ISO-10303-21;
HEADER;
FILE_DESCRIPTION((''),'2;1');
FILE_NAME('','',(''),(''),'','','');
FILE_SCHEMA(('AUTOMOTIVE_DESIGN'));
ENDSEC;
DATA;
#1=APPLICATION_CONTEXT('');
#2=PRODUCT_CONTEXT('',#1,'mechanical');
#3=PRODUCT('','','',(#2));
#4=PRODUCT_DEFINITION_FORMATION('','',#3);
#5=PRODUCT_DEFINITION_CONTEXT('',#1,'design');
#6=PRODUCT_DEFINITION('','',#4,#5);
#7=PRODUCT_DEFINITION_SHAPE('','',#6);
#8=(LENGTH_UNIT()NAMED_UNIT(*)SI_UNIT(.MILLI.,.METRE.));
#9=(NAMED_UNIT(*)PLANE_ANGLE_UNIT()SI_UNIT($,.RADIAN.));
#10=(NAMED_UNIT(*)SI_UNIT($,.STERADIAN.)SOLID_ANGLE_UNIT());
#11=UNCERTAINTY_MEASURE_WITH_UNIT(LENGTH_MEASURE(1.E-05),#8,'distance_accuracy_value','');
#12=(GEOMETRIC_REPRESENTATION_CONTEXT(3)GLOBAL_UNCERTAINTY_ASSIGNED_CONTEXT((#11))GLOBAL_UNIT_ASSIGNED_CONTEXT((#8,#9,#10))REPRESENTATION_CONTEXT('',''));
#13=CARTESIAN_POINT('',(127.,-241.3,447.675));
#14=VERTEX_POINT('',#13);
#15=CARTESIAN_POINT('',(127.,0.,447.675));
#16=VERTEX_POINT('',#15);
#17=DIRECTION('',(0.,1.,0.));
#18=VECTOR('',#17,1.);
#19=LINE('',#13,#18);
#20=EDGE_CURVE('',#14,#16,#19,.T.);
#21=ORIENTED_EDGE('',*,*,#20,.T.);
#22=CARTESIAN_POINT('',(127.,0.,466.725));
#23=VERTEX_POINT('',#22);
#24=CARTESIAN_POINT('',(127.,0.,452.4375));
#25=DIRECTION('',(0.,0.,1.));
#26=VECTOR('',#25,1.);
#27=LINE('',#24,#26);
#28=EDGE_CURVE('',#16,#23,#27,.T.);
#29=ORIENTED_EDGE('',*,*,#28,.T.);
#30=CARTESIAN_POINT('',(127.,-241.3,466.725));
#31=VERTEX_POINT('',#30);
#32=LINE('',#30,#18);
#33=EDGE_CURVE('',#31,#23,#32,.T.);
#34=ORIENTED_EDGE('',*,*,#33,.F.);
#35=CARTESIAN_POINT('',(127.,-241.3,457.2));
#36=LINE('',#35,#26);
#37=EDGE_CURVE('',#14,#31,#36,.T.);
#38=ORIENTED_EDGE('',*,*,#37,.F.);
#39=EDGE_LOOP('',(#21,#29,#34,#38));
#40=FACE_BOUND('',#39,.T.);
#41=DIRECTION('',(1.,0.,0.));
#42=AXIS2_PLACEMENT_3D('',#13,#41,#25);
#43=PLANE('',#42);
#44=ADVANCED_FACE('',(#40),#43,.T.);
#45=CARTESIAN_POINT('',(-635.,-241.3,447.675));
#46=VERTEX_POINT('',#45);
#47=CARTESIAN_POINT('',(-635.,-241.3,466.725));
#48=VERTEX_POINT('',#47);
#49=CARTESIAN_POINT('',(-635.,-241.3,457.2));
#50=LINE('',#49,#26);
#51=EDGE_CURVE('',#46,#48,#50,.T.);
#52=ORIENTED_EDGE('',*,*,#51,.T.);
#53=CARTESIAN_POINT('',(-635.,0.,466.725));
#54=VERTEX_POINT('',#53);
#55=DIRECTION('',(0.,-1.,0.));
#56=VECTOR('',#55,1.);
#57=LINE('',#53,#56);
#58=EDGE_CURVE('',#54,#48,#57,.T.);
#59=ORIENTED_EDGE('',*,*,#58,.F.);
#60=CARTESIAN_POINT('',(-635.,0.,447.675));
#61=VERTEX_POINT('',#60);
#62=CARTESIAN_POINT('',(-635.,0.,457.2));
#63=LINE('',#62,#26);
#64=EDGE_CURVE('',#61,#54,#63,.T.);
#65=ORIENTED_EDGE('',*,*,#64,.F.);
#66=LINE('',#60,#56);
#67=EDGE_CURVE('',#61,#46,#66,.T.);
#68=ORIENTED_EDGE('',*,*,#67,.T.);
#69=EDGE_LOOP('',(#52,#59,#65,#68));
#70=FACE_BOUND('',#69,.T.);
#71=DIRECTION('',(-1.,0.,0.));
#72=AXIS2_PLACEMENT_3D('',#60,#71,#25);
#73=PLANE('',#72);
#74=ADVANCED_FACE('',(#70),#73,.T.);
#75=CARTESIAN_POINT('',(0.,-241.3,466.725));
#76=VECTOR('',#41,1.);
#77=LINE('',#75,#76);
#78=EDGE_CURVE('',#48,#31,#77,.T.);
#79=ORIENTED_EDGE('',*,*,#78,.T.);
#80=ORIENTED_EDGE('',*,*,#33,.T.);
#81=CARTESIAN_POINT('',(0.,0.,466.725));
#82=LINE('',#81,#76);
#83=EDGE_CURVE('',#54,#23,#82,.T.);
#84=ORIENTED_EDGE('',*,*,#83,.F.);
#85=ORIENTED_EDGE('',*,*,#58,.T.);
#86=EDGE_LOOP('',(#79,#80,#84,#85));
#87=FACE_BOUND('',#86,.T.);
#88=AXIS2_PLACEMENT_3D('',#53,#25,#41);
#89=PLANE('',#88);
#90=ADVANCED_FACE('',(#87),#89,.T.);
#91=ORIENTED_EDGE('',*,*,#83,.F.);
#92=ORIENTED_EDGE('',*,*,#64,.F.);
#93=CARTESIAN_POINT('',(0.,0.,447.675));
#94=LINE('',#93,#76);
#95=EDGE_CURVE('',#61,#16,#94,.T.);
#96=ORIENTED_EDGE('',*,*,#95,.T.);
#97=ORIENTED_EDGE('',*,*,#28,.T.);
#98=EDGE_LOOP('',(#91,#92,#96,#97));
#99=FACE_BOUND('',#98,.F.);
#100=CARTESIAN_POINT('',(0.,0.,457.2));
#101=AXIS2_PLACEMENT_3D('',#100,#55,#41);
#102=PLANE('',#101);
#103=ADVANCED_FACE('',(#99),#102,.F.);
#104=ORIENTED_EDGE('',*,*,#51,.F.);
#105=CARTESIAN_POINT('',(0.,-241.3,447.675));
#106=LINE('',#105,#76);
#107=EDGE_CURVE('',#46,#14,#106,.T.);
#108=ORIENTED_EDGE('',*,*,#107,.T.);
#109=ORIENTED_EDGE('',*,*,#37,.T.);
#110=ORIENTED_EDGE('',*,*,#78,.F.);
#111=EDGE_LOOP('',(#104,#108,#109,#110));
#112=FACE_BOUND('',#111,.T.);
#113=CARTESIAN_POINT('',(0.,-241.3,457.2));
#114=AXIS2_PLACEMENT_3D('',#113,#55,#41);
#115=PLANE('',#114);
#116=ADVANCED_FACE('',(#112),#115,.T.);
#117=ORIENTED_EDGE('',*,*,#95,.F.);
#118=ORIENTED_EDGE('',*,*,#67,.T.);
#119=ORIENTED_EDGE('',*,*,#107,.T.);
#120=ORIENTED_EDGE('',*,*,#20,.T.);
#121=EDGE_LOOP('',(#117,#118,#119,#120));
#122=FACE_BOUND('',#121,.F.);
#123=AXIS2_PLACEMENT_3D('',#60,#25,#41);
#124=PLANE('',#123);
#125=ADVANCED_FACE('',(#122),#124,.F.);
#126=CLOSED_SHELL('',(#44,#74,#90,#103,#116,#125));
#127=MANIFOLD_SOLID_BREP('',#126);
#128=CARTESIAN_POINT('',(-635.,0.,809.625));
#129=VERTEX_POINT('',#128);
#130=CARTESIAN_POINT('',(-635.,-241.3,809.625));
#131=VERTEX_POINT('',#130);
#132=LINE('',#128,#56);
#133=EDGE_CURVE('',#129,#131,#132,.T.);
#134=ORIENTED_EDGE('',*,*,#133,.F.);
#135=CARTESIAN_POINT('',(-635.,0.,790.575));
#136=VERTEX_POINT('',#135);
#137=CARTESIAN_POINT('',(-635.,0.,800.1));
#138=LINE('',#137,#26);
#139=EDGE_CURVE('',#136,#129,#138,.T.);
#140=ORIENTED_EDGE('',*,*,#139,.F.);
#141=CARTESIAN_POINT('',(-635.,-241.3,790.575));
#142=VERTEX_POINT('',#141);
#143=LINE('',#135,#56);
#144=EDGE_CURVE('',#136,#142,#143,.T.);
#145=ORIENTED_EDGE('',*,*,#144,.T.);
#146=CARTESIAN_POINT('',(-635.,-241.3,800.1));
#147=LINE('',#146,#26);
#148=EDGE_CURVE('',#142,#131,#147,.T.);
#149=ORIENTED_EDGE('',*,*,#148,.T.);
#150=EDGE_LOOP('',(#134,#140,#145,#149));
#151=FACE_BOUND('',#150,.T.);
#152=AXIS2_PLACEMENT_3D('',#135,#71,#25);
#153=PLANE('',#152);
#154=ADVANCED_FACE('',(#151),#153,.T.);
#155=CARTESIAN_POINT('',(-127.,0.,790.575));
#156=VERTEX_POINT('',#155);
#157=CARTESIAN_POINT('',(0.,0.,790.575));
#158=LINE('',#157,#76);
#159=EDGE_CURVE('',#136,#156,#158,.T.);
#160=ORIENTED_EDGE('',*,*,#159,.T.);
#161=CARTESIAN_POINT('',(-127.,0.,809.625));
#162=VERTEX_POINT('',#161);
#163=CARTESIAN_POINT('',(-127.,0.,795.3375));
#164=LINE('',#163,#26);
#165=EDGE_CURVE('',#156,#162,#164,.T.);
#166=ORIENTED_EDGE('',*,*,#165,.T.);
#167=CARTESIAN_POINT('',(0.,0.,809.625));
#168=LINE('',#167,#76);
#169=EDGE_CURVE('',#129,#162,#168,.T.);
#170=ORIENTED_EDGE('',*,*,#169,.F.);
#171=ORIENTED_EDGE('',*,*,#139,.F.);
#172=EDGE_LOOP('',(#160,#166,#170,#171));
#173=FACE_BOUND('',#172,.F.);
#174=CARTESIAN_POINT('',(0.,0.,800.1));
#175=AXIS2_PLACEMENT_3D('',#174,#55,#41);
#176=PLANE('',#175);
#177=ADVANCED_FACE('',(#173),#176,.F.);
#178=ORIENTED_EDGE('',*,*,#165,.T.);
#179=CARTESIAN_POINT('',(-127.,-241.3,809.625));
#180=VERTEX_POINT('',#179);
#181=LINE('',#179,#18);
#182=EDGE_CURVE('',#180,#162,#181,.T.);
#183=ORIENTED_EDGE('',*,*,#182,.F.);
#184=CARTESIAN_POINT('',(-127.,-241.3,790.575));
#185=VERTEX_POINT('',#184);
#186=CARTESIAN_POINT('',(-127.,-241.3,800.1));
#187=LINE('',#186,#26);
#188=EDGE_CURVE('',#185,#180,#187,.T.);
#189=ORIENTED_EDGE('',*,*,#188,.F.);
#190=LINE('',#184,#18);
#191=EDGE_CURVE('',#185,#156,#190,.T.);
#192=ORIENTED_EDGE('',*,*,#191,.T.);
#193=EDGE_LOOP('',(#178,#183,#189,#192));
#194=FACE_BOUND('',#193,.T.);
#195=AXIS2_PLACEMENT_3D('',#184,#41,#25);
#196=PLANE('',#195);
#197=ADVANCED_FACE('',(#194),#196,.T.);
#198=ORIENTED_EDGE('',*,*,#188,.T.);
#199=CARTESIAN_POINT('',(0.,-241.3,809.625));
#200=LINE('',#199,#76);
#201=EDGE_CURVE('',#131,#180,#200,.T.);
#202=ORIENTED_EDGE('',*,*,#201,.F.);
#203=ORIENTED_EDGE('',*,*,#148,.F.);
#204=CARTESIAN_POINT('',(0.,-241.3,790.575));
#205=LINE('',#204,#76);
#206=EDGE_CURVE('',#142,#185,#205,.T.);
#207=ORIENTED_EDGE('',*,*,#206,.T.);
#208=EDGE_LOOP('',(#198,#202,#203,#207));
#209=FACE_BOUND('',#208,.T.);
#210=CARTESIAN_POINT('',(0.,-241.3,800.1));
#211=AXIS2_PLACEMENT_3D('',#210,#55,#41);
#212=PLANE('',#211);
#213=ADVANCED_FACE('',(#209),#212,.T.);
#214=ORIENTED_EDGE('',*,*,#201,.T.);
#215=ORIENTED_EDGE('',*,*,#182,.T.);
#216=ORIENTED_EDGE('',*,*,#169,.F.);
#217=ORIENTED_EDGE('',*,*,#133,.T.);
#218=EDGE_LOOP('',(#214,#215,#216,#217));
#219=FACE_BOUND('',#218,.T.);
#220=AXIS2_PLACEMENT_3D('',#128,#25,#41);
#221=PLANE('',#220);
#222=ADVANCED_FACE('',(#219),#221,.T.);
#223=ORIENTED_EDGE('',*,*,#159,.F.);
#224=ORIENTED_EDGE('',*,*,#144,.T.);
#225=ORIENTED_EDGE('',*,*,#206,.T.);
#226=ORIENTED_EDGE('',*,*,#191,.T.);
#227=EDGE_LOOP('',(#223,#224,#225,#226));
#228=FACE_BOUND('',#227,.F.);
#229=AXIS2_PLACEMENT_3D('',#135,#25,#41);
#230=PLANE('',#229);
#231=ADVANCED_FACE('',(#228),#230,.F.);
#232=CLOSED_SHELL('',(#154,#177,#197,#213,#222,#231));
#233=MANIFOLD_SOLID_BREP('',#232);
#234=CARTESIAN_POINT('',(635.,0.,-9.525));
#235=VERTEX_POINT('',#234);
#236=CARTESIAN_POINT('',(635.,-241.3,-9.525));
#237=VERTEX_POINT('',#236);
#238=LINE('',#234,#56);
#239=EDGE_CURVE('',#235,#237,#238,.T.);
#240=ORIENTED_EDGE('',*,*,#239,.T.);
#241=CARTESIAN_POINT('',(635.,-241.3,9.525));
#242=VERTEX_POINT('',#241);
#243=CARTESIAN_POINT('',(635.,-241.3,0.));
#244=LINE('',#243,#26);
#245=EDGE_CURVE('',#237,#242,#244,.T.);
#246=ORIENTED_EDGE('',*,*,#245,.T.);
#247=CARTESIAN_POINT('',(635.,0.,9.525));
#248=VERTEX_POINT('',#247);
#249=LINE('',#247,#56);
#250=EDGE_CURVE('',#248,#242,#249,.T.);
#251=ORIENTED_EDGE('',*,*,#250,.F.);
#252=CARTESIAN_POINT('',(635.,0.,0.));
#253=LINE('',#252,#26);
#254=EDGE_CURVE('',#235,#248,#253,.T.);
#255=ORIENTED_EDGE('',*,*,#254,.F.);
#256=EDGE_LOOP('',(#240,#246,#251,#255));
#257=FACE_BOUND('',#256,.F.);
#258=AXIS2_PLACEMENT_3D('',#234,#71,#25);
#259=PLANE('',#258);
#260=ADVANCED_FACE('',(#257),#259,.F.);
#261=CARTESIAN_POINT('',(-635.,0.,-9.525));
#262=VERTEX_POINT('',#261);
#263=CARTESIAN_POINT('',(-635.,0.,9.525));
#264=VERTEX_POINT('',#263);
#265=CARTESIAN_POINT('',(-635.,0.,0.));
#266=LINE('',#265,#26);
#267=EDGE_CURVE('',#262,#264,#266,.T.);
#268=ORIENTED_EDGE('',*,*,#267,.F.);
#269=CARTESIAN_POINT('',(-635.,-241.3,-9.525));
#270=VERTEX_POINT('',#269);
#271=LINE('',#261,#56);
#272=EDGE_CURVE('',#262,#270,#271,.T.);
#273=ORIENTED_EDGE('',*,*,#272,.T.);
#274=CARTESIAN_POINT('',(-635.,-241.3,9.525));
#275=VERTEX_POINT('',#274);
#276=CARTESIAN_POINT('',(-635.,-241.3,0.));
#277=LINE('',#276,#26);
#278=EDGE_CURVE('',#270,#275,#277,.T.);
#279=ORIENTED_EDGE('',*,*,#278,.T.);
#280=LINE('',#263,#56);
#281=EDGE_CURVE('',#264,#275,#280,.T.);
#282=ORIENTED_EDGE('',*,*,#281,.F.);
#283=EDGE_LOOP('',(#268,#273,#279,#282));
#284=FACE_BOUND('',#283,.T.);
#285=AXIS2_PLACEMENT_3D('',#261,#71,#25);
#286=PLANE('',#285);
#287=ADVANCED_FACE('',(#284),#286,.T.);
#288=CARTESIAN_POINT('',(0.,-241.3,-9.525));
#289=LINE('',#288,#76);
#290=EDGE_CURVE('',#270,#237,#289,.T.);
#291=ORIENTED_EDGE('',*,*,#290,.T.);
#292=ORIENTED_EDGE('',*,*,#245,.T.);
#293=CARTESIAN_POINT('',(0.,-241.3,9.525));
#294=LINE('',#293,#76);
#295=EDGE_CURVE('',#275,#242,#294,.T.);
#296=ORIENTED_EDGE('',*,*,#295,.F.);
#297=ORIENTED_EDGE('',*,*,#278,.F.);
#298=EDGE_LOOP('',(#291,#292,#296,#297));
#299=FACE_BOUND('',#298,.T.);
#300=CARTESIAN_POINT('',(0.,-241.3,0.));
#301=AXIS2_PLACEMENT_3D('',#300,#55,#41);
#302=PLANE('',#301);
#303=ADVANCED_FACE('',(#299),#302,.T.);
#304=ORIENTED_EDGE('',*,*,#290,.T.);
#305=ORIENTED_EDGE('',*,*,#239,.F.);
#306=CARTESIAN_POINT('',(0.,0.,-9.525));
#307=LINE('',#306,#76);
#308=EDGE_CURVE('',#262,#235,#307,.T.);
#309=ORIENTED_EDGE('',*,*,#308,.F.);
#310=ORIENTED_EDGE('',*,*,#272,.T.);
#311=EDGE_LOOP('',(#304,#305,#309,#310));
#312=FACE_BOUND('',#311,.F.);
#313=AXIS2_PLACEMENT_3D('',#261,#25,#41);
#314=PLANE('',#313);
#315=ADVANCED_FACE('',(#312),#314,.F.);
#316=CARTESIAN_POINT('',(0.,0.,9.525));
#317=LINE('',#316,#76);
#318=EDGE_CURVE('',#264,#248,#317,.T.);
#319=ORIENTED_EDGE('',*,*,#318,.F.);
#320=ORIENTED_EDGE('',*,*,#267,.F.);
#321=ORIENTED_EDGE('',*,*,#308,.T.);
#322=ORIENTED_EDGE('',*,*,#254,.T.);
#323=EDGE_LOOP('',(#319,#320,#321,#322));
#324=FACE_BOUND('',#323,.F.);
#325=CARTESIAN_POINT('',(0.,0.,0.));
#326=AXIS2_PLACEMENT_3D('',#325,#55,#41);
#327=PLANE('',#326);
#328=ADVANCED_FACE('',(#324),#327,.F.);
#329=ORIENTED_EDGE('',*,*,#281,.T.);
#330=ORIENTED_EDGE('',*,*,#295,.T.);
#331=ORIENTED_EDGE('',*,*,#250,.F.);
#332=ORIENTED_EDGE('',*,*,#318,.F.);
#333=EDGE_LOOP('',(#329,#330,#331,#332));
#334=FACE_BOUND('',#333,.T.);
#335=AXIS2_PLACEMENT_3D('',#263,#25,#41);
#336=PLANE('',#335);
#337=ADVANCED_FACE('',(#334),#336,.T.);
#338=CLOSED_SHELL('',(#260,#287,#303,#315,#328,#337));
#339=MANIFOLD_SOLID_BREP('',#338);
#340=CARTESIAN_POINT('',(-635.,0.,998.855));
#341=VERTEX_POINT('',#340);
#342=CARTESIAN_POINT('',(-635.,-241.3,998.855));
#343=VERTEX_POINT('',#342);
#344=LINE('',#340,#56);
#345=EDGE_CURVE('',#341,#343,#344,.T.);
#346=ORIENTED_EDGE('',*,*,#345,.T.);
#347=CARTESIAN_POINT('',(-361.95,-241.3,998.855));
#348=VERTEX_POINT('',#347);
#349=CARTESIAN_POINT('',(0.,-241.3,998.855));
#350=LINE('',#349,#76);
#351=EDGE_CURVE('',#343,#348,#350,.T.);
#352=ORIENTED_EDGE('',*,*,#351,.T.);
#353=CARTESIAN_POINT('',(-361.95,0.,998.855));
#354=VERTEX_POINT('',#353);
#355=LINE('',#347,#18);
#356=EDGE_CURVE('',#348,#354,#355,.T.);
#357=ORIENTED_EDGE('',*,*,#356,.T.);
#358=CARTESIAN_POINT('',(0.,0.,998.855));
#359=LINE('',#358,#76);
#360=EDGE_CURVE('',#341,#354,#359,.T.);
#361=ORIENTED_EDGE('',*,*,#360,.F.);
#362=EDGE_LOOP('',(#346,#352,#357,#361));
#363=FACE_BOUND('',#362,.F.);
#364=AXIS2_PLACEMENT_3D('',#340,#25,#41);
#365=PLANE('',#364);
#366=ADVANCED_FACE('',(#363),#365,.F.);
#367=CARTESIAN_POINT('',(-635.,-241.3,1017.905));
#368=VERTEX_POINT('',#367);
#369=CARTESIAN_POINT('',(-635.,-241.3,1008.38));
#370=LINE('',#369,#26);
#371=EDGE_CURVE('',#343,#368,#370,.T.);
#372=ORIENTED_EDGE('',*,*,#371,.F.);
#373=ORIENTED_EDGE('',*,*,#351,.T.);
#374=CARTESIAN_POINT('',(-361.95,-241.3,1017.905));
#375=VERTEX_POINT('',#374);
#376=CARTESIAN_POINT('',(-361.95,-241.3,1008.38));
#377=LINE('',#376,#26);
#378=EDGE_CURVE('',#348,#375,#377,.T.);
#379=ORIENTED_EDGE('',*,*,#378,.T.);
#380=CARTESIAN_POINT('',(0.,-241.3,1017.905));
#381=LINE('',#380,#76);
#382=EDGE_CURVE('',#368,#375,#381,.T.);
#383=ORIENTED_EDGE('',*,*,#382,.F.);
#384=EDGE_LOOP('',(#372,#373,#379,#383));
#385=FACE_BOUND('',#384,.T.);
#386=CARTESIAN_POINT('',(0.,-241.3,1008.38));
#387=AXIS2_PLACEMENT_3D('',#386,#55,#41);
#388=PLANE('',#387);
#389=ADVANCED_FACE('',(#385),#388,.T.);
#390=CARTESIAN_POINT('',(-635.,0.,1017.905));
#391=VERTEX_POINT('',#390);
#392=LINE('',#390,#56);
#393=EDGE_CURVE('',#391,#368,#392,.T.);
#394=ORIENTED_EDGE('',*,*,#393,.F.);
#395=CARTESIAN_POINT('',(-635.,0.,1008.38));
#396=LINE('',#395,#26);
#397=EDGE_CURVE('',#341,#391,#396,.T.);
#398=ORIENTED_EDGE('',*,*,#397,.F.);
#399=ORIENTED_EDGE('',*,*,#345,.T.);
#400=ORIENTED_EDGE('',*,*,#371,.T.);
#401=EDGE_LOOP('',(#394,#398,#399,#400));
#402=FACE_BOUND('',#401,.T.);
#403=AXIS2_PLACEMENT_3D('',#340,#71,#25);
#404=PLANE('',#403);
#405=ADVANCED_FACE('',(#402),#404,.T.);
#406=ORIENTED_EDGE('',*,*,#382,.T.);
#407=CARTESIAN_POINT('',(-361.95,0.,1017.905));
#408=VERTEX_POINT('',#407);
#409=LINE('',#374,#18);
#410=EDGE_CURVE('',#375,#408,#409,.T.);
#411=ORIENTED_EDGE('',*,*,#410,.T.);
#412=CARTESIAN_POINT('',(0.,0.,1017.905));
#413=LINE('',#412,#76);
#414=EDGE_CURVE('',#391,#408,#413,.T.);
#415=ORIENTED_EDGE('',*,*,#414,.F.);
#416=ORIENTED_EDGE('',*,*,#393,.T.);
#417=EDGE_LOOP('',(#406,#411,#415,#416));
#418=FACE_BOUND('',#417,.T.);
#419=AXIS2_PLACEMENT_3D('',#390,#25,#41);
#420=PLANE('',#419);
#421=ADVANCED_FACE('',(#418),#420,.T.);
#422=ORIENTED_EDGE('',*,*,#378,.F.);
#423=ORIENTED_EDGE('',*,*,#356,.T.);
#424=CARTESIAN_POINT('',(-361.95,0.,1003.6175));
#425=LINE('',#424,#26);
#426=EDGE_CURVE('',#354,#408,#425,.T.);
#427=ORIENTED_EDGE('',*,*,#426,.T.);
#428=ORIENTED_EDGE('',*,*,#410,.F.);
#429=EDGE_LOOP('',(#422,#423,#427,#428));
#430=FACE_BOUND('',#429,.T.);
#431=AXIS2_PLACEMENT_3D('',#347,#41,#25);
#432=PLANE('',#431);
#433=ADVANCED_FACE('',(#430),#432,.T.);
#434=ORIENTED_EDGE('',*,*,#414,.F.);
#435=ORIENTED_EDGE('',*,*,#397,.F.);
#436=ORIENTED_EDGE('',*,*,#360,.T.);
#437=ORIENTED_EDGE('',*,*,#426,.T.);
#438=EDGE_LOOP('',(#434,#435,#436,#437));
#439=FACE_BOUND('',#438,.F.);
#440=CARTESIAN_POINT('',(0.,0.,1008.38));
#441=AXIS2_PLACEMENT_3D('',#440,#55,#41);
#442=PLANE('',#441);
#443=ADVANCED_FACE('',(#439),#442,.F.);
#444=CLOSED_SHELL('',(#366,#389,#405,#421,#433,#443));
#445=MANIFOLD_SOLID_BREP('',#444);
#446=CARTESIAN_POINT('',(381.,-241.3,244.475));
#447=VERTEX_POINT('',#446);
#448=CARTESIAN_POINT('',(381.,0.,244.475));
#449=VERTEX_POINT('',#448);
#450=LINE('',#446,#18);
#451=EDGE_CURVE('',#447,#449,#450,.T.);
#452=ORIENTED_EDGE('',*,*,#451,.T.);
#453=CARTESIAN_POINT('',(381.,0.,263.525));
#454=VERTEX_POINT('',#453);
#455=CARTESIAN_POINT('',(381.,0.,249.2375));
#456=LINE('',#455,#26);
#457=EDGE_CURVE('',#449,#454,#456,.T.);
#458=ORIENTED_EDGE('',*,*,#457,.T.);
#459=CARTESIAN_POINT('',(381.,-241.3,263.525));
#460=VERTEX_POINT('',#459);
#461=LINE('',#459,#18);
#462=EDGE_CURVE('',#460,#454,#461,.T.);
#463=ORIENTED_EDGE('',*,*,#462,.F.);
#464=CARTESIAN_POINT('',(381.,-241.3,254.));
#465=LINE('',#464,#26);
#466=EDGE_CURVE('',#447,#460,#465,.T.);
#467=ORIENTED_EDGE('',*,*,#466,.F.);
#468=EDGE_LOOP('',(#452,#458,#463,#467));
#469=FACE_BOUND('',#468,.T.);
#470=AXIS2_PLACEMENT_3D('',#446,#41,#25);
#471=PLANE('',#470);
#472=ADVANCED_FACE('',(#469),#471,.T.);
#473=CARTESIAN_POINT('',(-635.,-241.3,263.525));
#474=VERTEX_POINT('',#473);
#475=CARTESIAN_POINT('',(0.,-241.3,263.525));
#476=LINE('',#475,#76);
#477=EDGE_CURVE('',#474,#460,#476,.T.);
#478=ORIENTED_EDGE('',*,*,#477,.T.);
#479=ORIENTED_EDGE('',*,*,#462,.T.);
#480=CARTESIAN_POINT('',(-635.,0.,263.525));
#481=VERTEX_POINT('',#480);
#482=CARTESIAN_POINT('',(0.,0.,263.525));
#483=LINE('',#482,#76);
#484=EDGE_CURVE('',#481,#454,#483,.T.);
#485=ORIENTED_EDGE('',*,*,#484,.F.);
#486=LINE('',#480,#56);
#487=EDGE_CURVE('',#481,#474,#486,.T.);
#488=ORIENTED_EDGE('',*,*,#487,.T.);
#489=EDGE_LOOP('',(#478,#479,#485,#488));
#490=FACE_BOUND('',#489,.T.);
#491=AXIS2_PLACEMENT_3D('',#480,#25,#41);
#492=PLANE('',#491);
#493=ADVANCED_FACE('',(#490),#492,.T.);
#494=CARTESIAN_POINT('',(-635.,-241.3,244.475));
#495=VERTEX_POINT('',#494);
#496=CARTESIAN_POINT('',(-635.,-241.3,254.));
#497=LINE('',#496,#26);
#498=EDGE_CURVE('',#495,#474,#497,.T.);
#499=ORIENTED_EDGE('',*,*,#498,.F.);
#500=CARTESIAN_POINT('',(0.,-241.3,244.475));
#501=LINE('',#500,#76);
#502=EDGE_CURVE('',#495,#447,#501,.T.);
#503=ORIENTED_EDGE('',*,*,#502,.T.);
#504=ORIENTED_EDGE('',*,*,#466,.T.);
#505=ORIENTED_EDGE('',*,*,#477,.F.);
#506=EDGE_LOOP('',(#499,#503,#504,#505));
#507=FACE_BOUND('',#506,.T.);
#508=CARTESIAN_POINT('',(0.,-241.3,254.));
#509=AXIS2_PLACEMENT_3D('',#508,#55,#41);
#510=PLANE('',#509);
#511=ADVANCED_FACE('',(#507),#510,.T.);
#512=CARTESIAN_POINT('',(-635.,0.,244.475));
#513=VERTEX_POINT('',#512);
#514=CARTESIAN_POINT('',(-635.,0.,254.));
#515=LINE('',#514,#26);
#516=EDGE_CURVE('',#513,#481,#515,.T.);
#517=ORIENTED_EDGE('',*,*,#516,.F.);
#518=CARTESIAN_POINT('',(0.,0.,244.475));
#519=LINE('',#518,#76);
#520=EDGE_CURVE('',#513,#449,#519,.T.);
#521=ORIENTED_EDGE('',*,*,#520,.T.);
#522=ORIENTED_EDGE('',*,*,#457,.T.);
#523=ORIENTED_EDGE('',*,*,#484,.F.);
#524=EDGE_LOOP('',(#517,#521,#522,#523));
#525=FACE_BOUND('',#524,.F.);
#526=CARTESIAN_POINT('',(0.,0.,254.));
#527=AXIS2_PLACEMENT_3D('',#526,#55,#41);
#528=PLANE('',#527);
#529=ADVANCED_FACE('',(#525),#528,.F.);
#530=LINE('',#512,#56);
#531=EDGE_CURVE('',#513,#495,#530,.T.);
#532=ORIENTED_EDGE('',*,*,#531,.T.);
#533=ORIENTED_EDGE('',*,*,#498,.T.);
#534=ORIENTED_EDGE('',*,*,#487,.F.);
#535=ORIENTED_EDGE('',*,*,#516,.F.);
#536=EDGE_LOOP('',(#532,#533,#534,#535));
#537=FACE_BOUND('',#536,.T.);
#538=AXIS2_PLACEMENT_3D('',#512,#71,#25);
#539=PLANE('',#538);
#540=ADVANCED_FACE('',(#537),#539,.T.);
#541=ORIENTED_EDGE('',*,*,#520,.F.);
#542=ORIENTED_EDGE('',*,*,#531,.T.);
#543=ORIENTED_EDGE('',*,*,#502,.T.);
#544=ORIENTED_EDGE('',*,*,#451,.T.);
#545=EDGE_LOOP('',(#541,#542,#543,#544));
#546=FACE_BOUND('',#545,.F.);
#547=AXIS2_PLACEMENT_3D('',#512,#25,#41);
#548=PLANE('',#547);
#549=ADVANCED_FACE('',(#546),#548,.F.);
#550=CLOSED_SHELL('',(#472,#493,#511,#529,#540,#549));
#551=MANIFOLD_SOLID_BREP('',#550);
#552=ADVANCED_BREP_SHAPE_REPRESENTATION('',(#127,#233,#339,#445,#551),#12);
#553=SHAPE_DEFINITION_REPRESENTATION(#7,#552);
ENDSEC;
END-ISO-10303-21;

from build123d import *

# Parameters (mm, degrees)
F0_W      = 1270
F0_H      = 19.05
F1_DEPTH  = 241.3
F3_W      = 254
F3_H      = 19.05
F4_DEPTH  = 241.301
F6_W      = 254
F6_H      = 19.05
F7_DEPTH  = 241.301
F9_W      = 254
F9_H      = 19.05
F10_DEPTH = 241.301
F12_W     = 234.95
F12_H     = 19.05
F13_DEPTH = 241.301


with BuildPart() as f1:
    # F0 (on Front) → F1 (new body)
    with BuildSketch(Plane.XZ):
        Rectangle(F0_W, F0_H)
    extrude(amount=F1_DEPTH)


with BuildPart() as f2_1:
    # F2: copy of F1
    add(f1.part.moved(Location((0, 0, 254))))

    # F3 (on face) → F4 (cut, through all)
    with BuildSketch(Plane.XZ.offset(241.3)):
        with Locations((508, 254)):
            Rectangle(F3_W, F3_H)
    extrude(amount=-F4_DEPTH, mode=Mode.SUBTRACT)


with BuildPart() as f5_1:
    # F5: copy of F2_1
    add(f2_1.part.moved(Location((0, 0, 203.2))))

    # F6 (on face) → F7 (cut, through all)
    with BuildSketch(Plane.XZ.offset(241.3)):
        with Locations((254, 457.2)):
            Rectangle(F6_W, F6_H)
    extrude(amount=-F7_DEPTH, mode=Mode.SUBTRACT)


with BuildPart() as f8_1:
    # F8: copy of F5_1
    add(f5_1.part.moved(Location((0, 0, 342.9))))

    # F9 (on face) → F10 (cut, through all)
    with BuildSketch(Plane.XZ.offset(241.3)):
        with Locations((0, 800.1)):
            Rectangle(F9_W, F9_H)
    extrude(amount=-F10_DEPTH, mode=Mode.SUBTRACT)


with BuildPart() as f11_1:
    # F11: copy of F8_1
    add(f8_1.part.moved(Location((0, 0, 208.28))))

    # F12 (on face) → F13 (cut, through all)
    with BuildSketch(Plane.XZ.offset(241.3)):
        with Locations((-244.475, 1008.38)):
            Rectangle(F12_W, F12_H)
    extrude(amount=-F13_DEPTH, mode=Mode.SUBTRACT)


solid = Compound([f1.part, f2_1.part, f5_1.part, f8_1.part, f11_1.part])
